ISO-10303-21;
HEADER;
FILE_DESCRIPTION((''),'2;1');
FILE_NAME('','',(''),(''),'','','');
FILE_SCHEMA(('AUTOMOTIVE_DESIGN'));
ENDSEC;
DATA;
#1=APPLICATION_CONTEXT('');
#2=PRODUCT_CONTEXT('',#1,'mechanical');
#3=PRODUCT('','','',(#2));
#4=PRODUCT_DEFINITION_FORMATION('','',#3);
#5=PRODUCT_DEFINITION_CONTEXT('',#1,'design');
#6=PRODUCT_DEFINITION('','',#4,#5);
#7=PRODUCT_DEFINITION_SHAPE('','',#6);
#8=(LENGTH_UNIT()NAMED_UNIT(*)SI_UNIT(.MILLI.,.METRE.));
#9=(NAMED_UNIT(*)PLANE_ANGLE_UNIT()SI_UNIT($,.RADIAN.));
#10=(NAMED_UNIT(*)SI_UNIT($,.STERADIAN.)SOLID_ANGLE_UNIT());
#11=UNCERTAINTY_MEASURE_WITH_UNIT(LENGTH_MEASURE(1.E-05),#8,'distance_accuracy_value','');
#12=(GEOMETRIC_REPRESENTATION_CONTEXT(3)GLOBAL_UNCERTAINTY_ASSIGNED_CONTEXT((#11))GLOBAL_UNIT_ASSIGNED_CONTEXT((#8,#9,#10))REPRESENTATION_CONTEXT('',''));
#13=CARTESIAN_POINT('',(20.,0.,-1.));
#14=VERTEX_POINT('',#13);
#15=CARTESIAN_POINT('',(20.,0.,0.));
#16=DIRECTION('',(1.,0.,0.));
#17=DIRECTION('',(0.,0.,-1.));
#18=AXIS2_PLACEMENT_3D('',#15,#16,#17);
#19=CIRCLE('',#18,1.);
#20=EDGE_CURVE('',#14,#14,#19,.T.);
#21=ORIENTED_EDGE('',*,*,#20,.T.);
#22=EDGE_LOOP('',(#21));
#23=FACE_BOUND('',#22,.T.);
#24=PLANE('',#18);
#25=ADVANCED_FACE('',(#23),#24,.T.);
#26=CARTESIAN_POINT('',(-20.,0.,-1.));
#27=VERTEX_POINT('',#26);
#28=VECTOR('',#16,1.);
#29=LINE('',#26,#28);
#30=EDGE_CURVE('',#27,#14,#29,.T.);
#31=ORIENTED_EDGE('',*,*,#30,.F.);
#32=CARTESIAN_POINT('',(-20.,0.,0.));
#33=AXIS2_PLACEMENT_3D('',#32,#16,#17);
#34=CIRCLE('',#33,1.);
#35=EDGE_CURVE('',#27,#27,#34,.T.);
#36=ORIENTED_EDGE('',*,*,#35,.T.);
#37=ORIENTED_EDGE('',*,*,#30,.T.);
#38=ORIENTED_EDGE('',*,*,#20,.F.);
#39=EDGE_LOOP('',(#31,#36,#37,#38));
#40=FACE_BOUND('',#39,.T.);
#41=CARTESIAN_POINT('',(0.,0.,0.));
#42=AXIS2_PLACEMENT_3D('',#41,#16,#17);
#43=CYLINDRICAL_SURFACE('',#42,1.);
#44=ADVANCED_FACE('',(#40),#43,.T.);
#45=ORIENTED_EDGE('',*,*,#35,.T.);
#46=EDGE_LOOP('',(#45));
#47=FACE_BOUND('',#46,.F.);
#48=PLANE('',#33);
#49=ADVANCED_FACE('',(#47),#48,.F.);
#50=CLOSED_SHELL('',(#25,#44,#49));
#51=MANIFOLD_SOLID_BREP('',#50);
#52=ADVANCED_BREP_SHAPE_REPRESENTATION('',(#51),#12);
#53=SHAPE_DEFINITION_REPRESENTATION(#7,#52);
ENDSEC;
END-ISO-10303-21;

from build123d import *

# Parameters (mm, degrees)
SKETCH1_R            = 1
DC_MOTOR_SHAFT_DEPTH = 20


with BuildPart() as part:
    # Sketch1 → DC MOTOR SHAFT (new body, symmetric)
    with BuildSketch(Plane(origin=(0, 0, 0), x_dir=(0, 0, -1), z_dir=(1, 0, 0))):
        Circle(SKETCH1_R)
    extrude(amount=DC_MOTOR_SHAFT_DEPTH, both=True)


solid = part.part
